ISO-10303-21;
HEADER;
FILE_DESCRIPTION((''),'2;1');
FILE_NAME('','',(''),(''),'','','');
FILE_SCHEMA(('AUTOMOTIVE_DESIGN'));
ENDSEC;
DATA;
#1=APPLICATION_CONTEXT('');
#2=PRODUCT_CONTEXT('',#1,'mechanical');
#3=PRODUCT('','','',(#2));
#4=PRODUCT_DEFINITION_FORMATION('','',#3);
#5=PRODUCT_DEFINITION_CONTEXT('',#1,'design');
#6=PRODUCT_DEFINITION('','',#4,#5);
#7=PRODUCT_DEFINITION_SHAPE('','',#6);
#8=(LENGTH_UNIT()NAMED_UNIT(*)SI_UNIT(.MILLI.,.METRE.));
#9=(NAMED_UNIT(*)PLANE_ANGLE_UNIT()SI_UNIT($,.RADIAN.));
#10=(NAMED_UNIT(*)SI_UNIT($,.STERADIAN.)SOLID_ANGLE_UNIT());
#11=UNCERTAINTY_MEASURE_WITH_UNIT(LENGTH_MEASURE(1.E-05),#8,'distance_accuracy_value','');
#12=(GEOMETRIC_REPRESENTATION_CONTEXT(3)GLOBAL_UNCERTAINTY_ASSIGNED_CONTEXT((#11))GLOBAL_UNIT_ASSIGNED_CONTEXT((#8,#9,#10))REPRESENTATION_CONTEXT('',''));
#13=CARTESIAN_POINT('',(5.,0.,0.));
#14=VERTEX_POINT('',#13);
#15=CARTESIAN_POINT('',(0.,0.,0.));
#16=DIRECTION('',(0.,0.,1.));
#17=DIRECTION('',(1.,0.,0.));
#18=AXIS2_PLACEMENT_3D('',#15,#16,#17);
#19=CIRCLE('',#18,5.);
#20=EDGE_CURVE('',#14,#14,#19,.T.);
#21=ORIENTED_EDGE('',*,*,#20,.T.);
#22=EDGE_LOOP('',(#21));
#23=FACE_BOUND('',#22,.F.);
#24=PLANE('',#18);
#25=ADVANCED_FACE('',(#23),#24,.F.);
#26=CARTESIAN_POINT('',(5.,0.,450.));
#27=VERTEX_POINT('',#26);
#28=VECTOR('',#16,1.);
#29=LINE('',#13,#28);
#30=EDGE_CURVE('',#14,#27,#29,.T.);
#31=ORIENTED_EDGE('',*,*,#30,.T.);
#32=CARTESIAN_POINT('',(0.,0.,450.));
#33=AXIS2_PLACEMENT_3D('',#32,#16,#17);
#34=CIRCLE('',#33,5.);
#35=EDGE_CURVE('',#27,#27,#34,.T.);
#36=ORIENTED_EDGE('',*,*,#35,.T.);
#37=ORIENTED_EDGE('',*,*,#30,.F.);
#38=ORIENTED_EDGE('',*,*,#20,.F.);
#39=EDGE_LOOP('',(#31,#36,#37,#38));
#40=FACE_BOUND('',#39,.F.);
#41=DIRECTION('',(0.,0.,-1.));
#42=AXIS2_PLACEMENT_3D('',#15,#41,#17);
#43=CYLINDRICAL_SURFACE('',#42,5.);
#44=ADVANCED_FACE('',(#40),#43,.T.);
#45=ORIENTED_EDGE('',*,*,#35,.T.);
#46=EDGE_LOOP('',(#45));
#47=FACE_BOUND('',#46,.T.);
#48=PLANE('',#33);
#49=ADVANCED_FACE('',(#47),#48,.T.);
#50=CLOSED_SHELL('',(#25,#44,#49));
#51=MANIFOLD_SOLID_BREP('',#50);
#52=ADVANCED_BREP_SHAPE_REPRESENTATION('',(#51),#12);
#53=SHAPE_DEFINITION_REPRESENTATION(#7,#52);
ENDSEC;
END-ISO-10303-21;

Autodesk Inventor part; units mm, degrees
ref_plane "YZ Plane" through (0, 0, 0) normal (1, 0, 0) x (0, 1, 0)
ref_plane "XZ Plane" through (0, 0, 0) normal (0, 1, 0) x (-1, 0, 0)
ref_plane "XY Plane" through (0, 0, 0) normal (0, 0, 1) x (1, 0, 0)
sketch "Sketch1" plane through (0, 0, 0) normal (0, 0, 1) x (1, 0, 0)
  circle A0 centre (0, 0) radius 5
  dimension "d0" = 10
extrude "Extrusion1" add sketch "Sketch1" along normal blind 450
thread "Thread1" size "M10x1.5" class "6g" standard "ANSI Metric M Profile" full length
properties part number "MountBar"
